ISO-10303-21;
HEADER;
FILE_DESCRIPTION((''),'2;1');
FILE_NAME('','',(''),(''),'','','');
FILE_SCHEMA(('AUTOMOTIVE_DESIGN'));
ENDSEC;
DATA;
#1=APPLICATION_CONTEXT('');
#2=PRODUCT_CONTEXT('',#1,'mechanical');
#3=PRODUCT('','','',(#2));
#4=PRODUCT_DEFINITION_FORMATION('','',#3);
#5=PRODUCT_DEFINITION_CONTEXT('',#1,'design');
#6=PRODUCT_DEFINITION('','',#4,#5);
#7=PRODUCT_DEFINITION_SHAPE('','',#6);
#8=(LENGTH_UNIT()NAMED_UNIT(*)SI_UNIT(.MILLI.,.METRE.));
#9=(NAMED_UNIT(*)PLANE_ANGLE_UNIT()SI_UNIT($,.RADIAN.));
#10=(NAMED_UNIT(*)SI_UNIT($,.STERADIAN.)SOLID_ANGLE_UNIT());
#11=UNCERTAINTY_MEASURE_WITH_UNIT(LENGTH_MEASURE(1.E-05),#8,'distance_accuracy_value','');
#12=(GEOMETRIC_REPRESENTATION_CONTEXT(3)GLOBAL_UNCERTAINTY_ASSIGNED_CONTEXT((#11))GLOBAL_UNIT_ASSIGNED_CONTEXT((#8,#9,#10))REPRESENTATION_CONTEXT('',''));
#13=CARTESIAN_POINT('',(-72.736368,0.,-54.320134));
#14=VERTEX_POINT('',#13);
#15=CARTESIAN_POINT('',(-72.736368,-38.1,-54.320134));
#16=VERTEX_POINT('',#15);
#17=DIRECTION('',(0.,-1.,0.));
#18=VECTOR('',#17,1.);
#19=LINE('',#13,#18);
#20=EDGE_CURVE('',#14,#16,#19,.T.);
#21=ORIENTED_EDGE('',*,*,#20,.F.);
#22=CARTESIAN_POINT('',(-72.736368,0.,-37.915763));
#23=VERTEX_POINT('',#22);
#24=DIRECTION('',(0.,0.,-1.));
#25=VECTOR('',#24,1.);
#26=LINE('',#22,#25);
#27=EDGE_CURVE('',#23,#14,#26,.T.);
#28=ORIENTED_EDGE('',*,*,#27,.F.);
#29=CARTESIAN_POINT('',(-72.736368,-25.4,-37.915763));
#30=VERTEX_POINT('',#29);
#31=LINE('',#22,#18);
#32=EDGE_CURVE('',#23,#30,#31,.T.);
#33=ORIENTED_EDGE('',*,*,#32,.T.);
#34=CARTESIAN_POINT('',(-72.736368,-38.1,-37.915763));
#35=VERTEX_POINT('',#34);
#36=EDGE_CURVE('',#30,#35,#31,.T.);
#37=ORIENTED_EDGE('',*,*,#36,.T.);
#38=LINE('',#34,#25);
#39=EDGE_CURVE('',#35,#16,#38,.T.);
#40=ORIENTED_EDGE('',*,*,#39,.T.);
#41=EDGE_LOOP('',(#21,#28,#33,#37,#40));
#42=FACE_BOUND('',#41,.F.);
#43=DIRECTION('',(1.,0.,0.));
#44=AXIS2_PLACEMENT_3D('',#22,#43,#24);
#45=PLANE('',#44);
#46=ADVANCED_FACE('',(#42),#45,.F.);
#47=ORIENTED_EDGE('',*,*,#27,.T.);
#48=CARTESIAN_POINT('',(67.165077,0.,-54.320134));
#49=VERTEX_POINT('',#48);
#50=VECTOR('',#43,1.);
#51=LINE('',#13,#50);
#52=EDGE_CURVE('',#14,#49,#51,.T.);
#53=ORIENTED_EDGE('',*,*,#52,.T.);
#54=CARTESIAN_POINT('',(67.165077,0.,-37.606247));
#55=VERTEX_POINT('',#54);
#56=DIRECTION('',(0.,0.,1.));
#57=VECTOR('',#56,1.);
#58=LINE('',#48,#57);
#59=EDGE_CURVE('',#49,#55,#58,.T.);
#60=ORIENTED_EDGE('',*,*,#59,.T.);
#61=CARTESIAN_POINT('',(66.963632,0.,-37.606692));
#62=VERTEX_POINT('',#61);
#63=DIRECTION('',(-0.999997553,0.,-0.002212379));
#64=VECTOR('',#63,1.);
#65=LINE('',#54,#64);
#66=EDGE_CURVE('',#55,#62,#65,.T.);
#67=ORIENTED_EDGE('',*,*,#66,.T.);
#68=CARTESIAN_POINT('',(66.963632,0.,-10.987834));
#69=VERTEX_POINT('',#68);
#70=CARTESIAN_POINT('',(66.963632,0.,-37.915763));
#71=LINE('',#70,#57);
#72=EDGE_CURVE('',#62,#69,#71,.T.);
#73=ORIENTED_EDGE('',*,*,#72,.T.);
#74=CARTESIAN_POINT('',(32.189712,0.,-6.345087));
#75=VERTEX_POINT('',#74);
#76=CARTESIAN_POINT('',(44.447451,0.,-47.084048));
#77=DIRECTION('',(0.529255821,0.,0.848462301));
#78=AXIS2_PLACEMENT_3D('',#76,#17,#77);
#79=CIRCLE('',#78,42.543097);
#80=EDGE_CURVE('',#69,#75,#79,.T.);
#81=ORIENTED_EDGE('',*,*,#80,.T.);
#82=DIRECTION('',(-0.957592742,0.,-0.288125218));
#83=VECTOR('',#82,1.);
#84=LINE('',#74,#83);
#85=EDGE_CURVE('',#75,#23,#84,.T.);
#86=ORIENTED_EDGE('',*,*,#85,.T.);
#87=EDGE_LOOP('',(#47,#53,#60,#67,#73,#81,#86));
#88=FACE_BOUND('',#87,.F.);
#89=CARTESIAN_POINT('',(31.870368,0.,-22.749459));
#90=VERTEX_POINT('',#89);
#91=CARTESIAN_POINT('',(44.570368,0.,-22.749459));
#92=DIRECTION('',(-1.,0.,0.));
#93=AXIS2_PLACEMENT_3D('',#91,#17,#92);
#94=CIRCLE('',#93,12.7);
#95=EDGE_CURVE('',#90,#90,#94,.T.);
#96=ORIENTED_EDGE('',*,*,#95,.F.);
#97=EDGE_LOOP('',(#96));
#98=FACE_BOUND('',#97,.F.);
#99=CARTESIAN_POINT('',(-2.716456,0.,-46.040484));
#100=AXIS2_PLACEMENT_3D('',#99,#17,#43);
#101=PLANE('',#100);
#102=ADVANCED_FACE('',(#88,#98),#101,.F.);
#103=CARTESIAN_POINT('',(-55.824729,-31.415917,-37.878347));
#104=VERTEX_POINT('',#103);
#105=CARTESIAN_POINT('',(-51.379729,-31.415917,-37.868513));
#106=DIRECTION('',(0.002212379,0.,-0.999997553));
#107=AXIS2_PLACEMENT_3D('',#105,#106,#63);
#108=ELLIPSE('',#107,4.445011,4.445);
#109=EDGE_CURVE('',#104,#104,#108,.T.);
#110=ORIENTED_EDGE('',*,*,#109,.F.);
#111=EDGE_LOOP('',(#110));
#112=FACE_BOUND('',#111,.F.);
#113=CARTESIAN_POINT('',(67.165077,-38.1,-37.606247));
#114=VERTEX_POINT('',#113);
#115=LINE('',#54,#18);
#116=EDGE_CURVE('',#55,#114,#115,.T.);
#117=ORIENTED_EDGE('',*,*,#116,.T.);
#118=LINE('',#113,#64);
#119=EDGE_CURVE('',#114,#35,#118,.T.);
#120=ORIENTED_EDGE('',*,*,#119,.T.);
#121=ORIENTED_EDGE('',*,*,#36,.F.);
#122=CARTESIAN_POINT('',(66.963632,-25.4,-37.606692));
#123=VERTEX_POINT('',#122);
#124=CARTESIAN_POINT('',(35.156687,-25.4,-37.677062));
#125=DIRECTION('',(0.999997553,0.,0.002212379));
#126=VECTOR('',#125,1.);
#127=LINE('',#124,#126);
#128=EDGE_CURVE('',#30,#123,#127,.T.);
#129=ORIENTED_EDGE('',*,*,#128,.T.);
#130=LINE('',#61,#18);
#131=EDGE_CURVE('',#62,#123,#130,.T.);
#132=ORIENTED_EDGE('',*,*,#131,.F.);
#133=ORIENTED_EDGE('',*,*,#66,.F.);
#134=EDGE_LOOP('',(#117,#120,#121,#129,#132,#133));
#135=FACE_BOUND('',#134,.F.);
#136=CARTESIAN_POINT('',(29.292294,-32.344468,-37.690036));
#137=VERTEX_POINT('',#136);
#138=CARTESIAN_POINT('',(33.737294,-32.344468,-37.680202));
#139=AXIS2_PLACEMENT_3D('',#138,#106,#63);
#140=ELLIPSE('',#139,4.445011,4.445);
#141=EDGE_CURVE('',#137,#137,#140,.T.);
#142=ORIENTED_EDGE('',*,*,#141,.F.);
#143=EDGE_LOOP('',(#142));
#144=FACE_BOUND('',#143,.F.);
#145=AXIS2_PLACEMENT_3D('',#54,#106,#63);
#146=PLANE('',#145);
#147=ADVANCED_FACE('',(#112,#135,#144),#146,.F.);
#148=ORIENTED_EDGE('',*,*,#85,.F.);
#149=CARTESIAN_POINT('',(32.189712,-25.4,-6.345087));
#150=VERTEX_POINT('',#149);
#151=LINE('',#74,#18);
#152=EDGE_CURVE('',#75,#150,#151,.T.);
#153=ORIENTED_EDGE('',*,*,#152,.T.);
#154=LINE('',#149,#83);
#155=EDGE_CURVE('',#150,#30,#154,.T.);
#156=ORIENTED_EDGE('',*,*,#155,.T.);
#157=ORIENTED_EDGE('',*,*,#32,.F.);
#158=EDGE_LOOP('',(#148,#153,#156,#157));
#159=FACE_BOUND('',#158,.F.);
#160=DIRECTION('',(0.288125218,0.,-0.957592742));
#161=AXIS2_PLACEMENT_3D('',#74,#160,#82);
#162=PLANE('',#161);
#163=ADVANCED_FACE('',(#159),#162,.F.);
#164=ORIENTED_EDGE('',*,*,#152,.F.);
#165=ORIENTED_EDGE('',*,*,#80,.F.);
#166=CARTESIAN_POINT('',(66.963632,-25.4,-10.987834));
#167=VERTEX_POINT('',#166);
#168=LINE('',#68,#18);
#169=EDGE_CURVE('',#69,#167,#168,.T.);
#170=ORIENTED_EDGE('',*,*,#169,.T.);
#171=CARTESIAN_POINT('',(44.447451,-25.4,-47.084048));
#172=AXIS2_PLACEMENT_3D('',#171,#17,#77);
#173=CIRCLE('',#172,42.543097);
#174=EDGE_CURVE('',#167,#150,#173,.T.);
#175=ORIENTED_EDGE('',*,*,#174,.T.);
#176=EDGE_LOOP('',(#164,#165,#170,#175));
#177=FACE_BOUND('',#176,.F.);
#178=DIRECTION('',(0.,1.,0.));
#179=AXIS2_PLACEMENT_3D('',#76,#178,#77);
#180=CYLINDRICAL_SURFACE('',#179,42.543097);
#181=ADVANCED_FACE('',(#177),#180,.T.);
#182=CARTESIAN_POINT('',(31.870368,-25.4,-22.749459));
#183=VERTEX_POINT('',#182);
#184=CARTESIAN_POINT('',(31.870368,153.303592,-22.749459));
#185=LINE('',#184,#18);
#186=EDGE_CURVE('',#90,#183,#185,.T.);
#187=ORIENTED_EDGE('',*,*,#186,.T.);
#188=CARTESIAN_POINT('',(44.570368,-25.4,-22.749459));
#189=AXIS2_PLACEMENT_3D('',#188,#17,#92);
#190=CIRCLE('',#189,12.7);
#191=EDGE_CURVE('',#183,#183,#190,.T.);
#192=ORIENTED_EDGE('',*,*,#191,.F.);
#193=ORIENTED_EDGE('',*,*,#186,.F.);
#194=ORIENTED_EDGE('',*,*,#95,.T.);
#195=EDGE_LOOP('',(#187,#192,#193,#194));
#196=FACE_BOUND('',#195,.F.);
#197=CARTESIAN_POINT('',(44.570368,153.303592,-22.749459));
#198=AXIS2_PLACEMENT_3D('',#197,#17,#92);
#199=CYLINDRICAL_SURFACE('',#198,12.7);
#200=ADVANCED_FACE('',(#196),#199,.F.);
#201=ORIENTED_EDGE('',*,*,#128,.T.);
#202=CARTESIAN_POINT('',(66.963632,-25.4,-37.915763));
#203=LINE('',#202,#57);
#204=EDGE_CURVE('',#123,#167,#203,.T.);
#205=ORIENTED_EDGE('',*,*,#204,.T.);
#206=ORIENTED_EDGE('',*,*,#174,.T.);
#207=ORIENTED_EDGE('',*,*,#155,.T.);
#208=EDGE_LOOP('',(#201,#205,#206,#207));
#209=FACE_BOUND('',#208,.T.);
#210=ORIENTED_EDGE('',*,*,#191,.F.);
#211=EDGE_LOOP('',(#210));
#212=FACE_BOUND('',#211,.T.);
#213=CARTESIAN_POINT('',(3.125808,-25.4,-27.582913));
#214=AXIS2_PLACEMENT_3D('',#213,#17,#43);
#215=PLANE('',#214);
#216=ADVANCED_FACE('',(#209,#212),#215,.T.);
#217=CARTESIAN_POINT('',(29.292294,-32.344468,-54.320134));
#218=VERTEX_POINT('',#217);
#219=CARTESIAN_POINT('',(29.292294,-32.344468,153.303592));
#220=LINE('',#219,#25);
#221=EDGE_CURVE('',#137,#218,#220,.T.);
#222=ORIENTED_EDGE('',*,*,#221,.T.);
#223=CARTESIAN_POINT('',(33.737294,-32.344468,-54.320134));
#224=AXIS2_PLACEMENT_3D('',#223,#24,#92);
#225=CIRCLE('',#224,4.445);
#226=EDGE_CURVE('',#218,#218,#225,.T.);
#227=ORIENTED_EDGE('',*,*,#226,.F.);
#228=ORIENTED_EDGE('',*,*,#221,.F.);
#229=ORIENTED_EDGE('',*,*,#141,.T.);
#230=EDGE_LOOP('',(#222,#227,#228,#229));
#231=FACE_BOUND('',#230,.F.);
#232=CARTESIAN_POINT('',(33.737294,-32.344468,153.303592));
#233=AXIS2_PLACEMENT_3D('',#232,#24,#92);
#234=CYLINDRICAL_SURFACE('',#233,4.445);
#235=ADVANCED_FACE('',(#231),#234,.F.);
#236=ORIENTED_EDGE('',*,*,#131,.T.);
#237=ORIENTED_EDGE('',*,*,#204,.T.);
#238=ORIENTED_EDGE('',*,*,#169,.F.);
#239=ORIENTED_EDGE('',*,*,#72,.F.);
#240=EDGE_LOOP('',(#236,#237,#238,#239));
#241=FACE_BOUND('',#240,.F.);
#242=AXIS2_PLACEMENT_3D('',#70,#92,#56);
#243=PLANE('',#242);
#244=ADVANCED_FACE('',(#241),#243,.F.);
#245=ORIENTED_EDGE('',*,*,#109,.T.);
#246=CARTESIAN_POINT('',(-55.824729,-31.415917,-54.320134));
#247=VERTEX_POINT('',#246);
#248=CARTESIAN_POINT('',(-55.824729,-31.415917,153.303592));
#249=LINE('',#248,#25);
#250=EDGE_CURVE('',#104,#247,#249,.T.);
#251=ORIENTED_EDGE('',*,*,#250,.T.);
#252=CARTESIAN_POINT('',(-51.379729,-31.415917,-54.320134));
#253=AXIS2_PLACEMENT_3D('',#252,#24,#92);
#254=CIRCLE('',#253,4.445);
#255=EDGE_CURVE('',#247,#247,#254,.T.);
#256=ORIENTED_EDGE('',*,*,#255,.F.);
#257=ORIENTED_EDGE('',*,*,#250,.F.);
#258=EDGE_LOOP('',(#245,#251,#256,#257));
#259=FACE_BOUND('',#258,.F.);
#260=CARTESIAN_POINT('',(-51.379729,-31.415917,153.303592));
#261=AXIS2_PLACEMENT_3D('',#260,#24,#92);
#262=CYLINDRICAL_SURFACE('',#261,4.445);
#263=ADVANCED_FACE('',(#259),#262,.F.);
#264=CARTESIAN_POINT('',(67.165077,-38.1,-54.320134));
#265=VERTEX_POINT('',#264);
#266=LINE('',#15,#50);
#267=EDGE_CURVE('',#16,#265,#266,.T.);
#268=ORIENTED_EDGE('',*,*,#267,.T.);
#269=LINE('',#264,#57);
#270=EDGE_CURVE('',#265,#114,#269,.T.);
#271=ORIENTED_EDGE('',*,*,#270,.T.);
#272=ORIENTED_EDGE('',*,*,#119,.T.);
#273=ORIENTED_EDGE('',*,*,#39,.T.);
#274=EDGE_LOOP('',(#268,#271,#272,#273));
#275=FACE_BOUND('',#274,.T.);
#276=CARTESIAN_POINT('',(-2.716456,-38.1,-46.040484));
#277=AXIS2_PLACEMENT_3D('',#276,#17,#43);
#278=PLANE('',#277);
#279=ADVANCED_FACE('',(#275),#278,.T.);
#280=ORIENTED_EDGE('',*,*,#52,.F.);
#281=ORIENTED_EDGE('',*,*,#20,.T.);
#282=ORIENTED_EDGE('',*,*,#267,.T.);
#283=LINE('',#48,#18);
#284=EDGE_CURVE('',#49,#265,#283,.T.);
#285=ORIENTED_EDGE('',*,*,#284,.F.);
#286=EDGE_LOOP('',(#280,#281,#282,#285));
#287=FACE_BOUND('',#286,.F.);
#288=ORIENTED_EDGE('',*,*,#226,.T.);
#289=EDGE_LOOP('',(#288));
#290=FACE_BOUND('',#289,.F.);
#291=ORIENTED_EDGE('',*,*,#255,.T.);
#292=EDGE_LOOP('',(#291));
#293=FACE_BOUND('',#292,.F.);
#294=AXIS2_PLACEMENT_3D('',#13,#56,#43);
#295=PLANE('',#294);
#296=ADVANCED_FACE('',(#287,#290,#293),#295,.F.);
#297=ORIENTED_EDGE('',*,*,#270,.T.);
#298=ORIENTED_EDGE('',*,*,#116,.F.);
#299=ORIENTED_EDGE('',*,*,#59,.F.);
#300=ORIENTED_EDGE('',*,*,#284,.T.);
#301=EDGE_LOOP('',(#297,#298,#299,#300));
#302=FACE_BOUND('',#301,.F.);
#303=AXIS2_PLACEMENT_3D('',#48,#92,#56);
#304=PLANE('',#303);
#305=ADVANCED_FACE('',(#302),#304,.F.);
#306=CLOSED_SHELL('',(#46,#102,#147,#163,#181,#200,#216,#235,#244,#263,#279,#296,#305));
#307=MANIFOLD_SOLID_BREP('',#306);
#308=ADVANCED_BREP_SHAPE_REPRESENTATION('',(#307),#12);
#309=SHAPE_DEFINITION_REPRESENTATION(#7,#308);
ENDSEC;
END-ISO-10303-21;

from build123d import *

# Parameters (mm, degrees)
F2_DEPTH = 25.4
F3_DEPTH = 38.1
F5_D     = 25.4
F7_D     = 8.89
F9_D     = 8.89


with BuildPart() as f2:
    # F0 (on Front) → F2 (new body)
    with BuildSketch(Plane.XZ):
        with BuildLine():
            Line((32.1897119284, -6.3450871967), (-72.7363675833, -37.9157625139))
            Line((-72.7363675833, -37.9157625139), (66.9636324167, -37.9157625139))
            Line((66.9636324167, -37.9157625139), (66.9636324167, -10.9878340736))
            ThreePointArc((66.9636324167, -10.9878340736), (50.0775206609, -4.9151328172), (32.1897119284, -6.3450871967))
        make_face()
    extrude(amount=F2_DEPTH)

    # F1 (on Front) → F3 (join)
    with BuildSketch(Plane.XZ):
        Polygon((67.1650767326, -54.3201342225), (67.1650767326, -37.6062467694), (-72.7363675833, -37.9157625139), (-72.7363675833, -54.3201342225), align=None)
    extrude(amount=F3_DEPTH)

    # F5 (through all)
    with Locations(Plane(origin=(0, 0, 0), x_dir=(1, 0, 0), z_dir=(0, 1, 0))):
        with Locations((44.5703677833, 22.749459371)):
            Hole(F5_D / 2)

    # F7 (through all)
    with Locations(Plane.XY):
        with Locations((-51.3797290623, -31.4159169793)):
            Hole(F7_D / 2)

    # F9 (through all)
    with Locations(Plane.XY):
        with Locations((33.7372943759, -32.3444679379)):
            Hole(F9_D / 2)


solid = f2.part
